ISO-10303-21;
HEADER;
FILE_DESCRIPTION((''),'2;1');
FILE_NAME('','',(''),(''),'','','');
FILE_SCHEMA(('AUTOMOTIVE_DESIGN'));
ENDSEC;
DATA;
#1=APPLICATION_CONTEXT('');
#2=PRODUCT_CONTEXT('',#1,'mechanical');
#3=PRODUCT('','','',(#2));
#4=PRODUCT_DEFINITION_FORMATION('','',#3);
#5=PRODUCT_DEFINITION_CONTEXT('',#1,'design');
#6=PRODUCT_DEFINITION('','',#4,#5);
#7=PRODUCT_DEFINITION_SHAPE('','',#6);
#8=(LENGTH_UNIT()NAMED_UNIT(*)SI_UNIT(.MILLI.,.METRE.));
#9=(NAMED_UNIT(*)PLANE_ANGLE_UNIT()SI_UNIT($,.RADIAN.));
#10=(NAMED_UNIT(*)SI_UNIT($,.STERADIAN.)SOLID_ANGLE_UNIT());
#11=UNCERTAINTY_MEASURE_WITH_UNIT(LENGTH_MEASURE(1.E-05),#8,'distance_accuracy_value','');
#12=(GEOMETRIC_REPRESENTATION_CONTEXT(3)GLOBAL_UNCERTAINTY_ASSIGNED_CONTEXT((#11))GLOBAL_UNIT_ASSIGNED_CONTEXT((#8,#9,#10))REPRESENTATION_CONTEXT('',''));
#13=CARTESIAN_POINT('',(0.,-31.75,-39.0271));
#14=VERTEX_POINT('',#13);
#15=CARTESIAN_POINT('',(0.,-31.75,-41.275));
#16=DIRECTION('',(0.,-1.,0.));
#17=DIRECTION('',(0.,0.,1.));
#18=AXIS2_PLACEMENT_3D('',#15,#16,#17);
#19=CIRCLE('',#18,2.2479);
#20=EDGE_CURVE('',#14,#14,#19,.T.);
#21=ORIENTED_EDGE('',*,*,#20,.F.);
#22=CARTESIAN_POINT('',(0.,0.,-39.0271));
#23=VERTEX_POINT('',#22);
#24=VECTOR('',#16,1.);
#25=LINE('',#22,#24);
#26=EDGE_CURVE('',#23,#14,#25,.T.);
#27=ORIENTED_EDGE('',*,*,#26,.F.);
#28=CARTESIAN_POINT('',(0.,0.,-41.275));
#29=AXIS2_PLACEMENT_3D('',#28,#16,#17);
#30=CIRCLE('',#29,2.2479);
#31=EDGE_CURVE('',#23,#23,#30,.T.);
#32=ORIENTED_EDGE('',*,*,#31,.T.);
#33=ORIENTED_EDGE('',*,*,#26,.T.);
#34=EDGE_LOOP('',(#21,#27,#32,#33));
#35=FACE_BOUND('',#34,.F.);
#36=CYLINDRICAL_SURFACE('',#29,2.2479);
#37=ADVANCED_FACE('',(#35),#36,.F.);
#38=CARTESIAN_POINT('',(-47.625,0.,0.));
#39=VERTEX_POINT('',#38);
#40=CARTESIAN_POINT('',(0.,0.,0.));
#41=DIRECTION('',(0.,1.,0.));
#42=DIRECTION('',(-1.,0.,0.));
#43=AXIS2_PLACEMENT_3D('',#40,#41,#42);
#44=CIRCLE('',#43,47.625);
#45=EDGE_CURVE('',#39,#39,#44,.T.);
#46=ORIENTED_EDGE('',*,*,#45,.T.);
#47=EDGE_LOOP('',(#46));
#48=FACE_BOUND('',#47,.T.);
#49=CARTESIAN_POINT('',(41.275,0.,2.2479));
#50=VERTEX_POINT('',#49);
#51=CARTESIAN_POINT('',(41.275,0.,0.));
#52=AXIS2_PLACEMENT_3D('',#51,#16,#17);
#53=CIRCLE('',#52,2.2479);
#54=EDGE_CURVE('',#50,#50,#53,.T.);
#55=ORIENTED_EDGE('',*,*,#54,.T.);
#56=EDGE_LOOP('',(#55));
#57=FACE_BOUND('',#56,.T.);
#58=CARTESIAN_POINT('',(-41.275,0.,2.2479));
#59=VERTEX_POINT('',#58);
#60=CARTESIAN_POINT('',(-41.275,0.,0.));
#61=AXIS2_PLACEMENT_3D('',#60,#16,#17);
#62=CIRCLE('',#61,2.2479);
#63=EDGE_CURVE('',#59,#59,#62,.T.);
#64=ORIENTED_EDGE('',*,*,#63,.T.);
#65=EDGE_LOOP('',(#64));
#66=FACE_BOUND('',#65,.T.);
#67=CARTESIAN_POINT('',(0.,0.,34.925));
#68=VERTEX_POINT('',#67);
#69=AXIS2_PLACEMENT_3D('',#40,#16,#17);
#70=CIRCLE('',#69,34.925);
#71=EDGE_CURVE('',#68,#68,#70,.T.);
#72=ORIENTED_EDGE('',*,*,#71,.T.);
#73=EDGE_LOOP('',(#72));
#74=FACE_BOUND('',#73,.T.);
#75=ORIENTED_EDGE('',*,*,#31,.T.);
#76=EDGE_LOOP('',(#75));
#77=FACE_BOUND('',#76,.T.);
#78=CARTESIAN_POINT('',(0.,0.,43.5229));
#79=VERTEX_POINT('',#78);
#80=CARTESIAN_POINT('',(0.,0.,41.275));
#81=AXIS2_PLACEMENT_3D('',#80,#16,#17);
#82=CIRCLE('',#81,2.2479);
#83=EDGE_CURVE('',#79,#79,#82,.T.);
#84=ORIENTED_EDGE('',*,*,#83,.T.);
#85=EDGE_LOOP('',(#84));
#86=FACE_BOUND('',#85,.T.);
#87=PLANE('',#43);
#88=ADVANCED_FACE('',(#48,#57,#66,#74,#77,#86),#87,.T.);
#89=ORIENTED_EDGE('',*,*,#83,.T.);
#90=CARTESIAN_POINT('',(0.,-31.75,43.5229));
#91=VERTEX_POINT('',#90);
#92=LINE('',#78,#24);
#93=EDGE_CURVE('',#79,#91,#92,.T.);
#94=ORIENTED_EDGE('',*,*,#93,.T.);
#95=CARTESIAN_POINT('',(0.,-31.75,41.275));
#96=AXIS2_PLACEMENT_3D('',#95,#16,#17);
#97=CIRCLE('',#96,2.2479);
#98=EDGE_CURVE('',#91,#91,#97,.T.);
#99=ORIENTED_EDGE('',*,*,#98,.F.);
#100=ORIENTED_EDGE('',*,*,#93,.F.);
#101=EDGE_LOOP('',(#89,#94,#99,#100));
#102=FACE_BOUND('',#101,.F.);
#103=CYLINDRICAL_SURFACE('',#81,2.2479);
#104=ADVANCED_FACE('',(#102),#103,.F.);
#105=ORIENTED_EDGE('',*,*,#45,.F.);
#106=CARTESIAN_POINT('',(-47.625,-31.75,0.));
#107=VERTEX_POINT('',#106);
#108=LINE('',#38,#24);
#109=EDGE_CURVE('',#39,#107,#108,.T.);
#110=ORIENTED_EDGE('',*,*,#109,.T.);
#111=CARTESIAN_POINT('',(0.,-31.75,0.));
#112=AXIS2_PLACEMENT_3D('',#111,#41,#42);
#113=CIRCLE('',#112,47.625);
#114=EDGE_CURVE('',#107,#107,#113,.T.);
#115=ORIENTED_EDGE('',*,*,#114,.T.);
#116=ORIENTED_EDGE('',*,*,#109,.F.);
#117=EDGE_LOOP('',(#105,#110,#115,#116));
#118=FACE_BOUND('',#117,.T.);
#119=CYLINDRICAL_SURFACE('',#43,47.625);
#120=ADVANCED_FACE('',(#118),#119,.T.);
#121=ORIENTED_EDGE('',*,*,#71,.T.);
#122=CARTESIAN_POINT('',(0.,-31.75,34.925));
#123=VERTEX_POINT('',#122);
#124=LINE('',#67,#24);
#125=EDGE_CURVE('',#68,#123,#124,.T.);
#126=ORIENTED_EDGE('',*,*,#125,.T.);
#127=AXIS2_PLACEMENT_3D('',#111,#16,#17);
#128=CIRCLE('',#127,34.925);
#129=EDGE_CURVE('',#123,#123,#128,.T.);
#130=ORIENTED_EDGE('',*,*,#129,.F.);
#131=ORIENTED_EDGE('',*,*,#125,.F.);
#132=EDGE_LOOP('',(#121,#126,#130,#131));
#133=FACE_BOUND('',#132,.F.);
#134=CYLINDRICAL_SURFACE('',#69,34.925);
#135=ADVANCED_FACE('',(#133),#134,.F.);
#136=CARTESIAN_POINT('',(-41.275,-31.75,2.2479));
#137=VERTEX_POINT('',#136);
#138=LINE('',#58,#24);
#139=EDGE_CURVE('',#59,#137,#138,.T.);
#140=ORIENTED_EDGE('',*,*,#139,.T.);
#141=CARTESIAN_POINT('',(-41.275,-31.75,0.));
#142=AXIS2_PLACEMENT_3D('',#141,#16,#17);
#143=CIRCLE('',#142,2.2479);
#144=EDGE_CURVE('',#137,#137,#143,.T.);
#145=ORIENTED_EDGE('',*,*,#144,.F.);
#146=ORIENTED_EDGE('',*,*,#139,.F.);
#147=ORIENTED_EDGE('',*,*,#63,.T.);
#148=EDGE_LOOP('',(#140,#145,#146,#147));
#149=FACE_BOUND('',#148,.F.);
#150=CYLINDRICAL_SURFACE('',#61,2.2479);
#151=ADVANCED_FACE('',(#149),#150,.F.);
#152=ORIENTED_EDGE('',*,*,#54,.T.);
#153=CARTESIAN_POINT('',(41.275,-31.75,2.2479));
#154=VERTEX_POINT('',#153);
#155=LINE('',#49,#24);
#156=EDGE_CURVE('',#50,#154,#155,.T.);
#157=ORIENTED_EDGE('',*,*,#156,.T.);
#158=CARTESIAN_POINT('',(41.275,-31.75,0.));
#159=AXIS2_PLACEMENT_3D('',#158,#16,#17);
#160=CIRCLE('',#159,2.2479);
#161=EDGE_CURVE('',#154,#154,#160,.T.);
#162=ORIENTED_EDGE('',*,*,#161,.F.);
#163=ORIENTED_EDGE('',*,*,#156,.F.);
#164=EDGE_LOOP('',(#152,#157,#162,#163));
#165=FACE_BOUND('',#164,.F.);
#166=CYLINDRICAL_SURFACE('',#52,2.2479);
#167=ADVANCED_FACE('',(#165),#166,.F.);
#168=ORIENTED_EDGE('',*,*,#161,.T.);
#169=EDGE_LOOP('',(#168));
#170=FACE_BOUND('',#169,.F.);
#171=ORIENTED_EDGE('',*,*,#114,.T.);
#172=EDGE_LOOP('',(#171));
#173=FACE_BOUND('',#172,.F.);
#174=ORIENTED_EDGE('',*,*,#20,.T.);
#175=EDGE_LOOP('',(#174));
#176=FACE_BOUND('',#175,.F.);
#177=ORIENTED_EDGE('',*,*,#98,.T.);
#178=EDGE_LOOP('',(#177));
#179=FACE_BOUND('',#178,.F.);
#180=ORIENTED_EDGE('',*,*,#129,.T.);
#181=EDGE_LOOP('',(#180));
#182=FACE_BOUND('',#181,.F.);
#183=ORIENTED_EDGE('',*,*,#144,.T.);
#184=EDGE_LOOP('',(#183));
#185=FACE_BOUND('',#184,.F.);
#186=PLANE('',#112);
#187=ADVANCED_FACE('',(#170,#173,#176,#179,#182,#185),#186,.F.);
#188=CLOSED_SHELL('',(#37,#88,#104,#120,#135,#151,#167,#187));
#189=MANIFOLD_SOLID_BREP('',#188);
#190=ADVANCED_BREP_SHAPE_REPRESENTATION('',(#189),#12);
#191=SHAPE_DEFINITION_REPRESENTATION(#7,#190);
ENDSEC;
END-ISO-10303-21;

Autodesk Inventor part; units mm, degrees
ref_plane "YZ Plane" through (0, 0, 0) normal (1, 0, 0) x (0, 1, 0)
ref_plane "XZ Plane" through (0, 0, 0) normal (0, 1, 0) x (-1, 0, 0)
ref_plane "XY Plane" through (0, 0, 0) normal (0, 0, 1) x (1, 0, 0)
sketch "Sketch1" plane through (0, 0, 0) normal (0, 1, 0) x (-1, 0, 0)
  circle A0 centre (0, 0) radius 47.625
  circle A1 centre (0, 0) radius 41.275 construction
  point P0 (41.275, 0)
  point P1 (0, -41.275)
  point P2 (-41.275, 0)
  point P3 (0, 41.275)
  dimension "d0" = 95.25
  dimension "d1" = 82.55
extrude "Extrusion1" add sketch "Sketch1" against normal blind 31.75
hole "Hole1" at (-41.275, 0, 0) at (0, 0, -41.275) at (41.275, 0, 0) at (0, 0, 41.275) direction (0, -1, 0) diameter 4.4958 end through all clearance for "Flat Head Machine Screw" size "M4" standard "Ansi Metric M Profile"
sketch "Sketch2" plane through (0, 0, 0) normal (0, 1, 0) x (1, 0, 0)
  point P0 (0, 0)
  point P1 (-0.2961, 4.5812)
hole "Hole2" at (0, 0, 0) direction (0, -1, 0) diameter 69.85 end through all
sketch "Sketch3" plane through (0, -31.75, 0) normal (0, -1, 0) x (1, 0, 0)
  circle A0 centre (0, 41.275) radius 2.2479 projected
  circle A1 centre (-41.275, 0) radius 2.2479 projected
  circle A2 centre (0, -41.275) radius 2.2479 projected
  circle A3 centre (41.275, 0) radius 2.2479 projected
  circle A4 centre (0, 41.275) radius 7.62
  circle A5 centre (-41.275, 0) radius 7.62
  circle A6 centre (0, -41.275) radius 7.62
  circle A7 centre (41.275, 0) radius 7.62
  point P0 (0, 0)
  dimension "d18" = 15.24
properties material "ABS, BLACK"
